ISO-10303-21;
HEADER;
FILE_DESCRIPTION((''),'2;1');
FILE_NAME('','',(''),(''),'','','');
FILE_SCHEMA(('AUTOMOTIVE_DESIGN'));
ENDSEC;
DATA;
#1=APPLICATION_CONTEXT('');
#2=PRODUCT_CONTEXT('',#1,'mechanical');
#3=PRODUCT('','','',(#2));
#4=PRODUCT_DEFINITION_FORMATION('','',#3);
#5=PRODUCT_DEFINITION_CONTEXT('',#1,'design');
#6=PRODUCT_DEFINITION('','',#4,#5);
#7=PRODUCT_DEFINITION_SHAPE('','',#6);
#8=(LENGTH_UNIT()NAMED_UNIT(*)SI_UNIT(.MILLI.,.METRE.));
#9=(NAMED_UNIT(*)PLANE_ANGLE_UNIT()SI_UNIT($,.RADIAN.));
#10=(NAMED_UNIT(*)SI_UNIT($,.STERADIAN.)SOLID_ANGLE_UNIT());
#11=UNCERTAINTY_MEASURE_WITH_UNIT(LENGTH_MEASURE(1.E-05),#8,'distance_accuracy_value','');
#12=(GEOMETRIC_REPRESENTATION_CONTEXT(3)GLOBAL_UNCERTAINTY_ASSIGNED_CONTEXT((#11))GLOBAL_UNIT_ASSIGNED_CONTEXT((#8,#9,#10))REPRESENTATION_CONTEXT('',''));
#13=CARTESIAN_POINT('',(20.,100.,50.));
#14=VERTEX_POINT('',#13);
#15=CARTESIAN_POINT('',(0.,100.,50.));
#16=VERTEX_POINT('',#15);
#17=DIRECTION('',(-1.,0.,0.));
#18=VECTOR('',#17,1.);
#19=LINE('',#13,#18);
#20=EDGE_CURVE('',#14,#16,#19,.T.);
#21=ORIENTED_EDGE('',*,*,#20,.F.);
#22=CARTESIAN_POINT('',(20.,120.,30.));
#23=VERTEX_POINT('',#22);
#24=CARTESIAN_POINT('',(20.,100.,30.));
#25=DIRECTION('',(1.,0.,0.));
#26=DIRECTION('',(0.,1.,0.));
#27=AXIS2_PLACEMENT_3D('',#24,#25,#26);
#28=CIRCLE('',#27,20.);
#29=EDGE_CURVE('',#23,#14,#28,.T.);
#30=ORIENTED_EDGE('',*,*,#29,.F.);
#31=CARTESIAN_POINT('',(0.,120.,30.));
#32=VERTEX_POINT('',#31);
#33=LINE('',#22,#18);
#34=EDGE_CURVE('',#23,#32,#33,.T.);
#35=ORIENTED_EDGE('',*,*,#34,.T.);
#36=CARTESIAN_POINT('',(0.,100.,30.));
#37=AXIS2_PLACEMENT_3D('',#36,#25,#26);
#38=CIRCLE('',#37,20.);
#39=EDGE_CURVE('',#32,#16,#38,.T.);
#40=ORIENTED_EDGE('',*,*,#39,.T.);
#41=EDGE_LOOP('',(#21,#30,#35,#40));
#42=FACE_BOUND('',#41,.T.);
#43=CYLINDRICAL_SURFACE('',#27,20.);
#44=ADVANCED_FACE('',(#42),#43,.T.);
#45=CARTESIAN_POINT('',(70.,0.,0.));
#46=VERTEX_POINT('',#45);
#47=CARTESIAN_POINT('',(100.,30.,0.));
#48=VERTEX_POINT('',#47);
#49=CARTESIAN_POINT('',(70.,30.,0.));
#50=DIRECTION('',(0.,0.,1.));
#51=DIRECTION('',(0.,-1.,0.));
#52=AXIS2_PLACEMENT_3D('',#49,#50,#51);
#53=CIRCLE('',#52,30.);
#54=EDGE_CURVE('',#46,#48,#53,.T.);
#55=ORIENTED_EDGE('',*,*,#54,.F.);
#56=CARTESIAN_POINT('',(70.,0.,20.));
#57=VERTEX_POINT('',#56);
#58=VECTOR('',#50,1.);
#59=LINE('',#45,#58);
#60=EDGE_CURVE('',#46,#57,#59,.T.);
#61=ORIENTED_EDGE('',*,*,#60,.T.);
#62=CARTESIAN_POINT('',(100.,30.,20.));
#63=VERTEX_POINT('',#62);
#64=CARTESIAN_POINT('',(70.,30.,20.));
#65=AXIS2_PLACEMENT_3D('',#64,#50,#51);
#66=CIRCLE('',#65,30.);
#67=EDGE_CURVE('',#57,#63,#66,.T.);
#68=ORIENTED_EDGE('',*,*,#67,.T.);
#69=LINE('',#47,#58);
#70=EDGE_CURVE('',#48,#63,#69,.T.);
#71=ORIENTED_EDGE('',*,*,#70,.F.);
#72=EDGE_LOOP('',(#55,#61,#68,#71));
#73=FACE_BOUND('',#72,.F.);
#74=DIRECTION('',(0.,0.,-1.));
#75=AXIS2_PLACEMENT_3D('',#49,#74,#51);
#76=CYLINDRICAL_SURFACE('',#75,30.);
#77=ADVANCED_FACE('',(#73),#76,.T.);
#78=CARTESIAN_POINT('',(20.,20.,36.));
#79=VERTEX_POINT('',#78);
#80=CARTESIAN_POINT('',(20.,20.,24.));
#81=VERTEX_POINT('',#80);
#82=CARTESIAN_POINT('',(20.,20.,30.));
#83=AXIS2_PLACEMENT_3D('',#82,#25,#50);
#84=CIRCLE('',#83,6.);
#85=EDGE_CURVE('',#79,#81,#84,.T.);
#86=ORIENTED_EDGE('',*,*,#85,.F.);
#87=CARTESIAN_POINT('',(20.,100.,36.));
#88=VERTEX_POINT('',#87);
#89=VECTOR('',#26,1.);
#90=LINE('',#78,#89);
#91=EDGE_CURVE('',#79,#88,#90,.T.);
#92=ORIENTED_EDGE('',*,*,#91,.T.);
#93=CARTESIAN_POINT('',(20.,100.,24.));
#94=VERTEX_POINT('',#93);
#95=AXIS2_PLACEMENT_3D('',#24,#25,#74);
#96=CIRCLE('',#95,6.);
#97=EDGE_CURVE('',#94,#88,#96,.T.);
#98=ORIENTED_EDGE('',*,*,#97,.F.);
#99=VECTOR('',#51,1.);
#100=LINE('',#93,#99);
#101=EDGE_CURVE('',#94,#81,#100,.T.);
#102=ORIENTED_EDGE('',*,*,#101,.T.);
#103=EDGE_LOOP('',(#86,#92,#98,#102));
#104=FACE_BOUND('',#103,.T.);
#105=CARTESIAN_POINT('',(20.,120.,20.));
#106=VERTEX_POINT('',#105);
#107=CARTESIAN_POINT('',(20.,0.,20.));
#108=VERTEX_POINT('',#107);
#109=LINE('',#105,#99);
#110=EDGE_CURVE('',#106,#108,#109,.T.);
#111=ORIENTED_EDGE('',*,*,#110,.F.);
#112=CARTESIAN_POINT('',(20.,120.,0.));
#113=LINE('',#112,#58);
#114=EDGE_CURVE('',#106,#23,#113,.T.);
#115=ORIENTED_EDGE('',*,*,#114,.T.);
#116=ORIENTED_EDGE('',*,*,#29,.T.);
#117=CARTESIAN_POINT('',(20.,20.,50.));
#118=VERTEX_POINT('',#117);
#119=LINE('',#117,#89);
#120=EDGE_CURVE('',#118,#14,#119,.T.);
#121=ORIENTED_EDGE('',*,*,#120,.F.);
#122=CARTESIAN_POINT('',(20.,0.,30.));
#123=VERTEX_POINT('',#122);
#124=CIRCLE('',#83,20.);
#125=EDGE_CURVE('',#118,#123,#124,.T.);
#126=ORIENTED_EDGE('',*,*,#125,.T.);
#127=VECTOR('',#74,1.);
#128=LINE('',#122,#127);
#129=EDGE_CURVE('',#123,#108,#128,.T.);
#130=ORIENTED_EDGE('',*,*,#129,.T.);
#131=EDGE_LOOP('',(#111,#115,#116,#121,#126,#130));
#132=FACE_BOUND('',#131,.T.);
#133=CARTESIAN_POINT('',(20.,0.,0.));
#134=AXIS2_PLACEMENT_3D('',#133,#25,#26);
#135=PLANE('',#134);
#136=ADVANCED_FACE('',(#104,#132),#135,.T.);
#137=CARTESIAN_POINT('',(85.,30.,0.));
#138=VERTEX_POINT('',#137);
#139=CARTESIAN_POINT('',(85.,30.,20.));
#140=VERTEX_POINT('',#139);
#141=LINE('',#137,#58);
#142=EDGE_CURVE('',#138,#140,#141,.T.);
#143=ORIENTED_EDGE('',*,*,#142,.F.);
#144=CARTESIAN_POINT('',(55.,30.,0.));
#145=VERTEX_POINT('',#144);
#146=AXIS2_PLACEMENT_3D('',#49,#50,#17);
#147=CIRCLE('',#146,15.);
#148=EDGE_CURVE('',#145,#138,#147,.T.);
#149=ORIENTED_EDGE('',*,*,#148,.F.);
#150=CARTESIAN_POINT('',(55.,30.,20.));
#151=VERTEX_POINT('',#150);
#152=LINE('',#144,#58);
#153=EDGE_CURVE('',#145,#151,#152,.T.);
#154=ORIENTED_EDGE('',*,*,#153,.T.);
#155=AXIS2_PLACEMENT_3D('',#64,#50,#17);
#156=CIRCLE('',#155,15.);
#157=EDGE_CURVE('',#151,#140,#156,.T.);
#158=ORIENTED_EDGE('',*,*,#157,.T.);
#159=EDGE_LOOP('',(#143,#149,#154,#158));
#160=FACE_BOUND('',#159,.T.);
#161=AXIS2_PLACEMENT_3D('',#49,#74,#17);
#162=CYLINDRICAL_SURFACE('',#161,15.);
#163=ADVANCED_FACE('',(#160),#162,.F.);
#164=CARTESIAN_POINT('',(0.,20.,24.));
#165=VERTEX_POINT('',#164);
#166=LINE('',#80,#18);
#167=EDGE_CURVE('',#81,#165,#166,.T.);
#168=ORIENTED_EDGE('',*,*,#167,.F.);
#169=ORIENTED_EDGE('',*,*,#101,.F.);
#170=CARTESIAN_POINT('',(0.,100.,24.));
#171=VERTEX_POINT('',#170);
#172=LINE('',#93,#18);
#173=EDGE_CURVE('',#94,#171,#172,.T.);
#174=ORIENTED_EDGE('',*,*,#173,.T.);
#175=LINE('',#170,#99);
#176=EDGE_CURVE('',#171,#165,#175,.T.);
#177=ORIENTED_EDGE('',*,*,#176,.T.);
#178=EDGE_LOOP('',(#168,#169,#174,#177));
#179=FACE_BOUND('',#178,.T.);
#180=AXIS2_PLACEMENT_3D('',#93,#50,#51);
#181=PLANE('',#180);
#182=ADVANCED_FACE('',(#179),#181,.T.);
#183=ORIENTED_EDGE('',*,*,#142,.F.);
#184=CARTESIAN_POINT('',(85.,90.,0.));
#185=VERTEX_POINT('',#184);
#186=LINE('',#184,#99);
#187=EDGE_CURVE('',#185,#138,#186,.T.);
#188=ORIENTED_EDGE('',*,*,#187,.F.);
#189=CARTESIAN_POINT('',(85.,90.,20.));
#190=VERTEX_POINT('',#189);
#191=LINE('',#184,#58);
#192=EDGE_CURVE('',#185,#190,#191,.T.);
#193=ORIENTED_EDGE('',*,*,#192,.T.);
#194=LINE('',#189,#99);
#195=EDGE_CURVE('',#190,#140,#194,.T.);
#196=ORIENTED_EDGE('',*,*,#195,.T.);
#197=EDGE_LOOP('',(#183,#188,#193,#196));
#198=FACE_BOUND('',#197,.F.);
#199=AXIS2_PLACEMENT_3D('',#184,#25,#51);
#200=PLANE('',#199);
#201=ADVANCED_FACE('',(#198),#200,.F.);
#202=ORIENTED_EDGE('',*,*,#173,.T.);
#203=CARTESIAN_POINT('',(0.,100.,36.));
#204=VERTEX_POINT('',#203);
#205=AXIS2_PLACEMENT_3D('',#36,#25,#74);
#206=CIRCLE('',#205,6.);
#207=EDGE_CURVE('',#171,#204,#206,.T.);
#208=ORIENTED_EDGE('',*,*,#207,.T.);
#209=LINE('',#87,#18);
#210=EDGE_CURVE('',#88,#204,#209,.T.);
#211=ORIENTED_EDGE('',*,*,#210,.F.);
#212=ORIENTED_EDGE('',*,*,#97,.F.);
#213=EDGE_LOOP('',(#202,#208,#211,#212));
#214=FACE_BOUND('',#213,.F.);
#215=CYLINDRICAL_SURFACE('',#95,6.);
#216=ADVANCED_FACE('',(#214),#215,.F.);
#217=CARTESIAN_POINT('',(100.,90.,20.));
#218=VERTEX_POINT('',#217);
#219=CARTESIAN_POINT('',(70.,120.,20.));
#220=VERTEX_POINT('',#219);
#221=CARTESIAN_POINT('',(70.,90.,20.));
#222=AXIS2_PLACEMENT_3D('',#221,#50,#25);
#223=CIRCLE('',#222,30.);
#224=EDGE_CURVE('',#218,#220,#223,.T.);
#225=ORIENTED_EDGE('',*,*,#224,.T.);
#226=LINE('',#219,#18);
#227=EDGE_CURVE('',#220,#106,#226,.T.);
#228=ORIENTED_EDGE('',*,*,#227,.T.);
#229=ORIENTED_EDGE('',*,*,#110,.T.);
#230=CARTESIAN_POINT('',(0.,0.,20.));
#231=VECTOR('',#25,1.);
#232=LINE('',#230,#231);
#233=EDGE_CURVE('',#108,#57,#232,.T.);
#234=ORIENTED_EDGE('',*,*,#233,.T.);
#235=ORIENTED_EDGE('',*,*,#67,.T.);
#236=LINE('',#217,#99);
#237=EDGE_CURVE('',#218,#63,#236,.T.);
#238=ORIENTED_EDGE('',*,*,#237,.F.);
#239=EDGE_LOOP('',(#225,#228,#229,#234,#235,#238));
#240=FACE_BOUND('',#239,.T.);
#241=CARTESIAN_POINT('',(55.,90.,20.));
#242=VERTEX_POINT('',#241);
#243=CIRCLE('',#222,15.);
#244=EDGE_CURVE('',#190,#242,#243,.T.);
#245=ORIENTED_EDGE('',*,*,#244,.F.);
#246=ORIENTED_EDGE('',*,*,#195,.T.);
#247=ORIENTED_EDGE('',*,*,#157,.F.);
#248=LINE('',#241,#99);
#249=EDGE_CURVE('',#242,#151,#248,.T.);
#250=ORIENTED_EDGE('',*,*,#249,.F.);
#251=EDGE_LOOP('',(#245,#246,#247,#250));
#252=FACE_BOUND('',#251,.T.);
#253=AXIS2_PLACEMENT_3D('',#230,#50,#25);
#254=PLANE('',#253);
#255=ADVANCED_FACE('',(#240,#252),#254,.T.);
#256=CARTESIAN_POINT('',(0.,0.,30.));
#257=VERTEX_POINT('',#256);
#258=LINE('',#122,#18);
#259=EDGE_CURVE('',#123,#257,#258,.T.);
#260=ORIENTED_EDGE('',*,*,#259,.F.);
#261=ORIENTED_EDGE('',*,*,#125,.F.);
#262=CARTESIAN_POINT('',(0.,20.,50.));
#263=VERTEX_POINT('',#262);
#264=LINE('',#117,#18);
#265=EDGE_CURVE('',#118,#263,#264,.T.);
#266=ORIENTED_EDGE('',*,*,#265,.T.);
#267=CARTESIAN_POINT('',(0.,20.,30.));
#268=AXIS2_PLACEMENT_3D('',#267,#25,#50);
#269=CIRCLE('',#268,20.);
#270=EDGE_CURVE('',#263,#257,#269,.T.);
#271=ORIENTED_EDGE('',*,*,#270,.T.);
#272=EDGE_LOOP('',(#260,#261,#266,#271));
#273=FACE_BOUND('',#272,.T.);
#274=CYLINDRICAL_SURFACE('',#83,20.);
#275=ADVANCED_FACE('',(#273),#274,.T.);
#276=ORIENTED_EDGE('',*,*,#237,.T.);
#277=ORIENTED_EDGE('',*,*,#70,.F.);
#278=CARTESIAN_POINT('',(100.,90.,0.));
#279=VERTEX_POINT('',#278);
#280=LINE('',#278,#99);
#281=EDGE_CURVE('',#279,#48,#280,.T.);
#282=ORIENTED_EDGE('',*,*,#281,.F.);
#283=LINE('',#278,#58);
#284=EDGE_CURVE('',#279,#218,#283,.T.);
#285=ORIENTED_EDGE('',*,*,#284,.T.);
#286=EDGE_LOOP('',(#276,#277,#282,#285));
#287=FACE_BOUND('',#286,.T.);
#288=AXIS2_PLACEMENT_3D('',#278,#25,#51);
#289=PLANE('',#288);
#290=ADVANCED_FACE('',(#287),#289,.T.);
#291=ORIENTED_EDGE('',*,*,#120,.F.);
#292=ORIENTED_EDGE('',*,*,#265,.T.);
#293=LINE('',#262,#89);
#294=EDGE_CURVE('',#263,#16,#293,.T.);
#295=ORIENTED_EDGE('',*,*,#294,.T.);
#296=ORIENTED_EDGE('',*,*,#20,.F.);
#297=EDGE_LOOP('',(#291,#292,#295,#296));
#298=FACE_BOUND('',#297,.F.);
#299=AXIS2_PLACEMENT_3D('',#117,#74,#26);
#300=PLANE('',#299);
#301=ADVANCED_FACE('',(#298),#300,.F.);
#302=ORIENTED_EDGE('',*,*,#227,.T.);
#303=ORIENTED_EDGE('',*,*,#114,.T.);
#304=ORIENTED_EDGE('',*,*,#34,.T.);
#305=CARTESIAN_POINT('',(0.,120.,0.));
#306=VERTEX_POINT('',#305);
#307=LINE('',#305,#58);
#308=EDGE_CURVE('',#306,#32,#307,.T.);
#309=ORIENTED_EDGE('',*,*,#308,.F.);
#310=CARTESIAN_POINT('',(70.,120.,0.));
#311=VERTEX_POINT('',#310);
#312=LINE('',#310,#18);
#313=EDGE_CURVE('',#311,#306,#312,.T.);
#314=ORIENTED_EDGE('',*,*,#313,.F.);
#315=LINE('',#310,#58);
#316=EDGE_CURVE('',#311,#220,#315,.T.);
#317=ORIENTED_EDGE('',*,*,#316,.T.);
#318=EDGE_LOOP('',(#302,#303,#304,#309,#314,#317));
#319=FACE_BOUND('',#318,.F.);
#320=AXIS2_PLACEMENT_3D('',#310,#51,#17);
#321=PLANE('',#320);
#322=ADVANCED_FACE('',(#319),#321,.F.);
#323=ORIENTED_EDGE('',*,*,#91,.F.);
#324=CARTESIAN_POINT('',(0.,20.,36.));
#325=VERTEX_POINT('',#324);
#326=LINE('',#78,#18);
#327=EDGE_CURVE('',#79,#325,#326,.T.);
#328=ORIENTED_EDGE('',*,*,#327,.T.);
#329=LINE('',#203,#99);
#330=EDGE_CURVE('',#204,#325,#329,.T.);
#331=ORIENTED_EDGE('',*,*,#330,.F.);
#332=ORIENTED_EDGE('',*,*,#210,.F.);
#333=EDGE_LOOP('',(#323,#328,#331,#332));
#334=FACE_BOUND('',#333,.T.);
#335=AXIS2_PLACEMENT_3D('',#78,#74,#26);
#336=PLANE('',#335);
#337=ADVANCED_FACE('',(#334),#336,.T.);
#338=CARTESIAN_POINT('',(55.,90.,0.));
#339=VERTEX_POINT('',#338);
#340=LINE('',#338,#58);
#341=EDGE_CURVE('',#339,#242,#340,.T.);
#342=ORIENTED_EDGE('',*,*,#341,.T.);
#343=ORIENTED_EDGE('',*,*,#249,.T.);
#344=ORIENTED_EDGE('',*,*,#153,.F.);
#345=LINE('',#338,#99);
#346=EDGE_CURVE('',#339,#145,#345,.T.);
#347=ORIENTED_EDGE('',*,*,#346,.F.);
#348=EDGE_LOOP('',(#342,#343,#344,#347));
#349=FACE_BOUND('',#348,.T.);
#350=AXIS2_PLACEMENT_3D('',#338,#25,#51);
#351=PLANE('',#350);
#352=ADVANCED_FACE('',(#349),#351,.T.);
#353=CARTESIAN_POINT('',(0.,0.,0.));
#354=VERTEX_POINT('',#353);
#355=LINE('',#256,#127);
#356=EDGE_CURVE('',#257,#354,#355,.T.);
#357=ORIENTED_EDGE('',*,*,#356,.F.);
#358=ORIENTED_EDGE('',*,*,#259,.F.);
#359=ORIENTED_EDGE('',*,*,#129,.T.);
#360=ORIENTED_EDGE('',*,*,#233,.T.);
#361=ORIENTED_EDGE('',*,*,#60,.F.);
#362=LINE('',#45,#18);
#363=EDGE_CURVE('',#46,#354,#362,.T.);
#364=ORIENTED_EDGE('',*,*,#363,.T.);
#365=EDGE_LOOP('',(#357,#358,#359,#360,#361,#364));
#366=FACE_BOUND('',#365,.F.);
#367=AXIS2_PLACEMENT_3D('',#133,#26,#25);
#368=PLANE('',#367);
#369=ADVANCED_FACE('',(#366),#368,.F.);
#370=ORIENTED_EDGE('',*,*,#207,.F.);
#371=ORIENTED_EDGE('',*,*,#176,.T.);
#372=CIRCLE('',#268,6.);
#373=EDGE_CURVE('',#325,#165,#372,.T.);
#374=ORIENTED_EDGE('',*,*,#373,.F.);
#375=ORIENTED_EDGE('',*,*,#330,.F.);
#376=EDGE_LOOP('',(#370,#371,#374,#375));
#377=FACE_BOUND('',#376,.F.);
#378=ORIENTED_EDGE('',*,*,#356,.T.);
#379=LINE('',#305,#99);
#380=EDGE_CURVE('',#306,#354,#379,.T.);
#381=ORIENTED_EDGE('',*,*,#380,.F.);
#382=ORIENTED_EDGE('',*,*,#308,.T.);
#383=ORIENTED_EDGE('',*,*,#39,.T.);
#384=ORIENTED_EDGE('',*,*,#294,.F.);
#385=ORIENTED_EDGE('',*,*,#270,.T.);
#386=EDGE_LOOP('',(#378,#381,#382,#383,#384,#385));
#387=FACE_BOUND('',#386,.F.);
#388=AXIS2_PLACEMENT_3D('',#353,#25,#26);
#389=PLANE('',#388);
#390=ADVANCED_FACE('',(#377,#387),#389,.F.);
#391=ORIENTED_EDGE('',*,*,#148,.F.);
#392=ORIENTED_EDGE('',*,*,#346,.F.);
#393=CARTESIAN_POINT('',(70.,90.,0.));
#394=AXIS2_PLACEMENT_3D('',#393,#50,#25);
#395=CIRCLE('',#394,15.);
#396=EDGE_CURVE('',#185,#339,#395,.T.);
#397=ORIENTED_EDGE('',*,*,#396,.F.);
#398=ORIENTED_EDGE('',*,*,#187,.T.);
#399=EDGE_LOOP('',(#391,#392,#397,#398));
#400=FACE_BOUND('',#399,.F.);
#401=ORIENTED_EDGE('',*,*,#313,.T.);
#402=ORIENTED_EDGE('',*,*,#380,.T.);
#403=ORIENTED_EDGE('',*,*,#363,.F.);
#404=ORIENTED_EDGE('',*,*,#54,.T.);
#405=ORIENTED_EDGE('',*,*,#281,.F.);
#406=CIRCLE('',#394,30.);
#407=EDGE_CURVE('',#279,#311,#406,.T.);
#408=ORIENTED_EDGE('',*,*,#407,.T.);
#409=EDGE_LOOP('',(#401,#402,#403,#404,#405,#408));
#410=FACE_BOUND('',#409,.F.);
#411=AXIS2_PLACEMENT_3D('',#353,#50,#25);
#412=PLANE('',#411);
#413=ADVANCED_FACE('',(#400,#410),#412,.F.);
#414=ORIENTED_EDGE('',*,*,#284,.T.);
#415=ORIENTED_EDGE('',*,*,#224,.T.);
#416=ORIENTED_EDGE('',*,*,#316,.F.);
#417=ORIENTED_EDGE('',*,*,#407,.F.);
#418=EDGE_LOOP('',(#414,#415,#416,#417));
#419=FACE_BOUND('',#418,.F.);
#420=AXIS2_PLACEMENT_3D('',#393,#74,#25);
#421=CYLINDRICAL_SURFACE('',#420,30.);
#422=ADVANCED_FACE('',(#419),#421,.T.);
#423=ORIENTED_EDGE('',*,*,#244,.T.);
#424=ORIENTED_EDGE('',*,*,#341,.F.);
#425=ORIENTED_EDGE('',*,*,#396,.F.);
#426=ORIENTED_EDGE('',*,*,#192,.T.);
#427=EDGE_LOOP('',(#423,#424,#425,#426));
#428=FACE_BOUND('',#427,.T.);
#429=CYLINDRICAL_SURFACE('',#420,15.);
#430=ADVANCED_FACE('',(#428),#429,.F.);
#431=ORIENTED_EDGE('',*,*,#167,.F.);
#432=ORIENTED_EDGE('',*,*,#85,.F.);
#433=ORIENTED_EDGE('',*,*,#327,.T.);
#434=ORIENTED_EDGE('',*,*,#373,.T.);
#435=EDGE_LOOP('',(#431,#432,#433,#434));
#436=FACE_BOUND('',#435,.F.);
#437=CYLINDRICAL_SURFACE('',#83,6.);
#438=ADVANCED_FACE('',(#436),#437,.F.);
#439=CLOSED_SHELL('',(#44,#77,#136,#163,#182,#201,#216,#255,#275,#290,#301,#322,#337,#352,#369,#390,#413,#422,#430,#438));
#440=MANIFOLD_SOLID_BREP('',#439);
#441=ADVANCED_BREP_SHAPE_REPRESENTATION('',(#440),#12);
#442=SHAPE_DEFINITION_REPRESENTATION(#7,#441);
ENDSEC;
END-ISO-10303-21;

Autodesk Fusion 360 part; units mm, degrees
sketch "Sketch5" plane through (0, 0, 0) normal (0, 0, 1) x (1, 0, 0)
  line L0 (0, 0) -> (70, 0)
  line L1 (70, 0) -> (70, 120) construction
  line L2 (70, 120) -> (0, 120)
  line L3 (0, 120) -> (0, 0)
  line L4 (0, 120) -> (20, 120) construction
  line L5 (20, 120) -> (20, 0)
  line L6 (70, 120) -> (70, 90) construction
  line L7 (70, 0) -> (70, 30) construction
  line L8 (100, 90) -> (100, 30)
  line L9 (85, 90) -> (85, 30)
  line L10 (55, 90) -> (55, 30)
  arc A0 (100, 90) -> (70, 120) centre (70, 90) ccw
  arc A1 (70, 0) -> (100, 30) centre (70, 30) ccw
  arc A2 (85, 90) -> (55, 90) centre (70, 90) ccw
  arc A3 (55, 30) -> (85, 30) centre (70, 30) ccw
  dimension "d21" = 70
  dimension "d22" = 120
  dimension "d23" = 20
  dimension "d24" = 30
  dimension "d25" = 30
  dimension "d26" = 30
  dimension "d27" = 60
  dimension "d28" = 30
  dimension "d29" = 60
extrude "Extrude3" add sketch "Sketch5" along normal blind 20 contours L0 L2 L5 L8 A0 A1
ref_plane "WorkPlane1" through (20, 0, 0) normal (1, 0, 0) x (0, 1, 0)
sketch "Sketch6" plane through (20, 0, 0) normal (1, 0, 0) x (0, 1, 0)
  line L0 (0, 30) -> (0, 50) construction
  line L1 (0, 30) -> (20, 30) construction
  line L2 (20, 30) -> (20, 36) construction
  line L3 (20, 36) -> (96.6834, 36)
  line L4 (100, 24) -> (20, 24)
  arc A0 (20, 36) -> (20, 24) centre (20, 30) ccw
  line L5 (20, 30) -> (20, 50) construction
  line L6 (20, 50) -> (100, 50)
  arc A1 (20, 50) -> (0, 30) centre (20, 30) ccw
  line L7 (120, 0) -> (120, 30)
  line L8 (120, 30) -> (120, 50) construction
  line L9 (120, 30) -> (100, 30) construction
  line L10 (96.6834, 36) -> (100, 36)
  arc A2 (120, 30) -> (100, 50) centre (100, 30) ccw
  line L11 (0, 30) -> (0, 0)
  arc A3 (100, 24) -> (100, 36) centre (100, 30) ccw
  line L12 (120, 0) -> (0, 0)
  dimension "d33" = 20
  dimension "d34" = 30
  dimension "d35" = 20
  dimension "d36" = 12
  dimension "d37" = 40
  dimension "d44" = 30
  dimension "d45" = 20
  dimension "d46" = 20
  dimension "d47" = 12
  dimension "d48" = 40
  dimension "d49" = 80
extrude "Extrude4" add sketch "Sketch6" against normal blind 20
